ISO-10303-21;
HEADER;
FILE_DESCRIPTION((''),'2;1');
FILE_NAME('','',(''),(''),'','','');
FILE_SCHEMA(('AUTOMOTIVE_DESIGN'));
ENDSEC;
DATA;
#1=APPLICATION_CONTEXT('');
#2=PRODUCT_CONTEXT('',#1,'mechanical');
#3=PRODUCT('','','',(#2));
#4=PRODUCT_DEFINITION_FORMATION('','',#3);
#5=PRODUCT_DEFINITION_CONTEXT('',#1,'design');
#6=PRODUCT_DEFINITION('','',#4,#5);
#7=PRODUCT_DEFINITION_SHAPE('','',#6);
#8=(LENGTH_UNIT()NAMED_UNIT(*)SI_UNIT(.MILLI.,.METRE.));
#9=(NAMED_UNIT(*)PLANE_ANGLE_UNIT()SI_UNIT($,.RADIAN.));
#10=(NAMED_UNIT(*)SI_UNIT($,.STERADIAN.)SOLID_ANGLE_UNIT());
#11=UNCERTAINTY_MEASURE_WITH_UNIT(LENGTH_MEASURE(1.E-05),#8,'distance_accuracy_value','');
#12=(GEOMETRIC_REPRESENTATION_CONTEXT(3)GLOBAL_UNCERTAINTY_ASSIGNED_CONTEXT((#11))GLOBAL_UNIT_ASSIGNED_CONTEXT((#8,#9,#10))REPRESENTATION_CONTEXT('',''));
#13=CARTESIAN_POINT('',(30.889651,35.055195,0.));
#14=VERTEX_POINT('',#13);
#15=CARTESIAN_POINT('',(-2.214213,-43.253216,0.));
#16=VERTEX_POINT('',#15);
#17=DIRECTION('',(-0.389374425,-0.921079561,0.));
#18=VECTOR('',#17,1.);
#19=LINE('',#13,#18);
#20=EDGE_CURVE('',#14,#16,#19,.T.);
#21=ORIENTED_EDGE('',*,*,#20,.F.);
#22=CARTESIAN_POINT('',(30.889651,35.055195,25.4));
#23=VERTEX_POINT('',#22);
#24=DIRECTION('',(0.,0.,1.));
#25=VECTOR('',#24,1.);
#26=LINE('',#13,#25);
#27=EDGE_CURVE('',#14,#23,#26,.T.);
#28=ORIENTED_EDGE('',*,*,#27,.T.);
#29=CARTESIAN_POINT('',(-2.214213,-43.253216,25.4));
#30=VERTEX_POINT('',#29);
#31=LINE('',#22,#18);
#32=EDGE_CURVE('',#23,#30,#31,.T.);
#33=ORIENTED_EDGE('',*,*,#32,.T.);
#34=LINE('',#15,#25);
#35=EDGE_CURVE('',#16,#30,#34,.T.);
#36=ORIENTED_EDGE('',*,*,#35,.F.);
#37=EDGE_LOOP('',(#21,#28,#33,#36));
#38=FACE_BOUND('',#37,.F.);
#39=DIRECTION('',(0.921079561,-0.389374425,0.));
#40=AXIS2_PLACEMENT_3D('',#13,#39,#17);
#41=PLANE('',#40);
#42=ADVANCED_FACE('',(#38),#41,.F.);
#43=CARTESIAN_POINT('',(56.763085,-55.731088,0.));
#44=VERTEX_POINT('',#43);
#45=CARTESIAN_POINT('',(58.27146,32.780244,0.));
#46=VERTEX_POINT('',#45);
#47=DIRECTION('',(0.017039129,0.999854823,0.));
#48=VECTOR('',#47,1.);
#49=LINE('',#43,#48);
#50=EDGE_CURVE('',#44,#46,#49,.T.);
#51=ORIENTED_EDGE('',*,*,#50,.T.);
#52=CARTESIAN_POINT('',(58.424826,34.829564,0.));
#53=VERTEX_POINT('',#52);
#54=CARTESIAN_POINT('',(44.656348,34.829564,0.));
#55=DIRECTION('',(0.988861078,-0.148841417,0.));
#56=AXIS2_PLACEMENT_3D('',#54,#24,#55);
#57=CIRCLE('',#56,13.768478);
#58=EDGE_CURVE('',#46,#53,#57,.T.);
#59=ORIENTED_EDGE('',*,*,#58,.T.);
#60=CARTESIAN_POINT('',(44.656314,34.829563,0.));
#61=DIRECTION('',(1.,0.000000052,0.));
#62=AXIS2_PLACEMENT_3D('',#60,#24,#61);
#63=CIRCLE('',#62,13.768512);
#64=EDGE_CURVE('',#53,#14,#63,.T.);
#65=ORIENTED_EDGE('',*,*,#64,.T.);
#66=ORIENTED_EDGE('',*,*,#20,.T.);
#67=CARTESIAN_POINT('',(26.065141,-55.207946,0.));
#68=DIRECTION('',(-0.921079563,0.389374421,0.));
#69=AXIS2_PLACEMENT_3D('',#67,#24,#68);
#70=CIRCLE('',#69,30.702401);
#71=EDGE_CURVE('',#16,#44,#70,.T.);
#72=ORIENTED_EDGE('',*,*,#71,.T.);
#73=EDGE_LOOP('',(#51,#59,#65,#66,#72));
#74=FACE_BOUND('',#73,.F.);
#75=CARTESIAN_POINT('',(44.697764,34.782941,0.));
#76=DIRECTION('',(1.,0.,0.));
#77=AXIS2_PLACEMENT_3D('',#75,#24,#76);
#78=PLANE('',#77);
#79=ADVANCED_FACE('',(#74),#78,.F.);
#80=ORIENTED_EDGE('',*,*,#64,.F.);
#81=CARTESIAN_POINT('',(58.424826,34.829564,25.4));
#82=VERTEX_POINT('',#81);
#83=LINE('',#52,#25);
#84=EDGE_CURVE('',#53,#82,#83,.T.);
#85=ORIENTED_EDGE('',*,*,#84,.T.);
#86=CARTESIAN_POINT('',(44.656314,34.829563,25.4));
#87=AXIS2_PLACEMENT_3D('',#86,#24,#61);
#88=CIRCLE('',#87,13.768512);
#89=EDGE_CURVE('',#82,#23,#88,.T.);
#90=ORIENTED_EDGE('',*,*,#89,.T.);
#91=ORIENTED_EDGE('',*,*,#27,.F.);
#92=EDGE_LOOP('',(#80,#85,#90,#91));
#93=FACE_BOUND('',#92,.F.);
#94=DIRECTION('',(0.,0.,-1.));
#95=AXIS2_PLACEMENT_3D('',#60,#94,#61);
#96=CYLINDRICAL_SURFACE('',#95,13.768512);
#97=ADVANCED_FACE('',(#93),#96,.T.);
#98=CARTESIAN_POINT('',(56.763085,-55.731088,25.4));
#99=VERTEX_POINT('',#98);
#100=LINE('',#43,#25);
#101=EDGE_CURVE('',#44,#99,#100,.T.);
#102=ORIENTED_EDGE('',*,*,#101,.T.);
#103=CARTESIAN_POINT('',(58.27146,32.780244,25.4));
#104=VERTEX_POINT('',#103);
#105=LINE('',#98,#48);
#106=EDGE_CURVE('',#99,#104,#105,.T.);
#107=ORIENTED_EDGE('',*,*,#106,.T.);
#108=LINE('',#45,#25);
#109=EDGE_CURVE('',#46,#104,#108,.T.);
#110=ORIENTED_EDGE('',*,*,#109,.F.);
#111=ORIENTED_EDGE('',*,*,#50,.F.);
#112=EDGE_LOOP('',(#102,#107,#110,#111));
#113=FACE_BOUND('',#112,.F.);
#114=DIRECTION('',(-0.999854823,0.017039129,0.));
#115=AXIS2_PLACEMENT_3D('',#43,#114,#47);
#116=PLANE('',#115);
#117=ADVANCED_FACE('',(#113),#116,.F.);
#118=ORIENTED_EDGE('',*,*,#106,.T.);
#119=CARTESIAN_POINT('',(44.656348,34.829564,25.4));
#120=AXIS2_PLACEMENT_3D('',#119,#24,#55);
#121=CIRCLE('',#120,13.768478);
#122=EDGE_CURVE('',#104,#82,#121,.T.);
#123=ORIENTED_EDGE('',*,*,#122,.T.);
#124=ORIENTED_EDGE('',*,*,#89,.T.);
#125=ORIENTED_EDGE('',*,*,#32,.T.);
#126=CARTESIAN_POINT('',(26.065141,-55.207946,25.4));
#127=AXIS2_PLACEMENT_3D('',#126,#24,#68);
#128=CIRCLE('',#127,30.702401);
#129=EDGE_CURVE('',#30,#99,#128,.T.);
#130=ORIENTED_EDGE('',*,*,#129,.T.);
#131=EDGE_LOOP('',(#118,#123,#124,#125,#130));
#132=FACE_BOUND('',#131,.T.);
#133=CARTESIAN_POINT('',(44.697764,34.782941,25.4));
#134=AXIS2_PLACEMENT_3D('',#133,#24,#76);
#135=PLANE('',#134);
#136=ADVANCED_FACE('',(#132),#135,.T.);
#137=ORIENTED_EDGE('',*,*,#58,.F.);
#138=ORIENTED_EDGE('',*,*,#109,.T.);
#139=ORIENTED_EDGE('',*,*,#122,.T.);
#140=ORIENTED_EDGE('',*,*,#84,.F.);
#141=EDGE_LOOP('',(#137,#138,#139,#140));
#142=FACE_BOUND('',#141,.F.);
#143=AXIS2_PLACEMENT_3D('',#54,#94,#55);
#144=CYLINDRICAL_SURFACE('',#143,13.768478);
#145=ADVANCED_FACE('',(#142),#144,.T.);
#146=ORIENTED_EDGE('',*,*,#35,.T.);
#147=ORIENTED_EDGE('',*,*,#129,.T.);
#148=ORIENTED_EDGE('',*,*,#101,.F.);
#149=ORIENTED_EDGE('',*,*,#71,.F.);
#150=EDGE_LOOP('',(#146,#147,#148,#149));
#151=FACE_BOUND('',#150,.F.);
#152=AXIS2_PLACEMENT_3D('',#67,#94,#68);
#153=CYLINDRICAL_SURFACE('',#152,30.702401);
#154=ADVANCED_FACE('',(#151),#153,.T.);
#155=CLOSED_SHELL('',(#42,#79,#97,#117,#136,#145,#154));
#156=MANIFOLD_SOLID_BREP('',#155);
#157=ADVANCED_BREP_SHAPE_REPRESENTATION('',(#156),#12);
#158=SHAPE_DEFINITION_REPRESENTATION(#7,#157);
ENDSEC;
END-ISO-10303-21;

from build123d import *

# Parameters (mm, degrees)
F1_DEPTH = 25.4


with BuildPart() as f1:
    # F0 (on Top) → F1 (new body)
    with BuildSketch(Plane.XY):
        with BuildLine():
            ThreePointArc((58.27146, 32.780244), (58.386431, 33.802039), (58.424826, 34.829564))
            ThreePointArc((58.424826, 34.829564), (44.769133, 48.597613), (30.889651, 35.055195))
            ThreePointArc((30.889651, 35.055195), (43.516319, 21.108327), (58.27146, 32.780244))
        make_face()
        with BuildLine():
            ThreePointArc((58.27146, 32.780244), (43.516319, 21.108327), (30.889651, 35.055195))
            Line((30.889651, 35.055195), (-2.214213, -43.253216))
            ThreePointArc((-2.214213, -43.253216), (32.164049, -25.117403), (56.767542, -55.207945))
            ThreePointArc((56.767542, -55.207945), (56.766428, -55.469526), (56.763085, -55.731088))
            Line((56.763085, -55.731088), (58.27146, 32.780244))
        make_face()
        with BuildLine():
            ThreePointArc((56.767542, -55.207945), (32.164049, -25.117403), (-2.214213, -43.253216))
            ThreePointArc((-2.214213, -43.253216), (19.710086, -85.245434), (56.763085, -55.731088))
            ThreePointArc((56.763085, -55.731088), (56.766428, -55.469526), (56.767542, -55.207945))
        make_face()
    extrude(amount=F1_DEPTH)


solid = f1.part
